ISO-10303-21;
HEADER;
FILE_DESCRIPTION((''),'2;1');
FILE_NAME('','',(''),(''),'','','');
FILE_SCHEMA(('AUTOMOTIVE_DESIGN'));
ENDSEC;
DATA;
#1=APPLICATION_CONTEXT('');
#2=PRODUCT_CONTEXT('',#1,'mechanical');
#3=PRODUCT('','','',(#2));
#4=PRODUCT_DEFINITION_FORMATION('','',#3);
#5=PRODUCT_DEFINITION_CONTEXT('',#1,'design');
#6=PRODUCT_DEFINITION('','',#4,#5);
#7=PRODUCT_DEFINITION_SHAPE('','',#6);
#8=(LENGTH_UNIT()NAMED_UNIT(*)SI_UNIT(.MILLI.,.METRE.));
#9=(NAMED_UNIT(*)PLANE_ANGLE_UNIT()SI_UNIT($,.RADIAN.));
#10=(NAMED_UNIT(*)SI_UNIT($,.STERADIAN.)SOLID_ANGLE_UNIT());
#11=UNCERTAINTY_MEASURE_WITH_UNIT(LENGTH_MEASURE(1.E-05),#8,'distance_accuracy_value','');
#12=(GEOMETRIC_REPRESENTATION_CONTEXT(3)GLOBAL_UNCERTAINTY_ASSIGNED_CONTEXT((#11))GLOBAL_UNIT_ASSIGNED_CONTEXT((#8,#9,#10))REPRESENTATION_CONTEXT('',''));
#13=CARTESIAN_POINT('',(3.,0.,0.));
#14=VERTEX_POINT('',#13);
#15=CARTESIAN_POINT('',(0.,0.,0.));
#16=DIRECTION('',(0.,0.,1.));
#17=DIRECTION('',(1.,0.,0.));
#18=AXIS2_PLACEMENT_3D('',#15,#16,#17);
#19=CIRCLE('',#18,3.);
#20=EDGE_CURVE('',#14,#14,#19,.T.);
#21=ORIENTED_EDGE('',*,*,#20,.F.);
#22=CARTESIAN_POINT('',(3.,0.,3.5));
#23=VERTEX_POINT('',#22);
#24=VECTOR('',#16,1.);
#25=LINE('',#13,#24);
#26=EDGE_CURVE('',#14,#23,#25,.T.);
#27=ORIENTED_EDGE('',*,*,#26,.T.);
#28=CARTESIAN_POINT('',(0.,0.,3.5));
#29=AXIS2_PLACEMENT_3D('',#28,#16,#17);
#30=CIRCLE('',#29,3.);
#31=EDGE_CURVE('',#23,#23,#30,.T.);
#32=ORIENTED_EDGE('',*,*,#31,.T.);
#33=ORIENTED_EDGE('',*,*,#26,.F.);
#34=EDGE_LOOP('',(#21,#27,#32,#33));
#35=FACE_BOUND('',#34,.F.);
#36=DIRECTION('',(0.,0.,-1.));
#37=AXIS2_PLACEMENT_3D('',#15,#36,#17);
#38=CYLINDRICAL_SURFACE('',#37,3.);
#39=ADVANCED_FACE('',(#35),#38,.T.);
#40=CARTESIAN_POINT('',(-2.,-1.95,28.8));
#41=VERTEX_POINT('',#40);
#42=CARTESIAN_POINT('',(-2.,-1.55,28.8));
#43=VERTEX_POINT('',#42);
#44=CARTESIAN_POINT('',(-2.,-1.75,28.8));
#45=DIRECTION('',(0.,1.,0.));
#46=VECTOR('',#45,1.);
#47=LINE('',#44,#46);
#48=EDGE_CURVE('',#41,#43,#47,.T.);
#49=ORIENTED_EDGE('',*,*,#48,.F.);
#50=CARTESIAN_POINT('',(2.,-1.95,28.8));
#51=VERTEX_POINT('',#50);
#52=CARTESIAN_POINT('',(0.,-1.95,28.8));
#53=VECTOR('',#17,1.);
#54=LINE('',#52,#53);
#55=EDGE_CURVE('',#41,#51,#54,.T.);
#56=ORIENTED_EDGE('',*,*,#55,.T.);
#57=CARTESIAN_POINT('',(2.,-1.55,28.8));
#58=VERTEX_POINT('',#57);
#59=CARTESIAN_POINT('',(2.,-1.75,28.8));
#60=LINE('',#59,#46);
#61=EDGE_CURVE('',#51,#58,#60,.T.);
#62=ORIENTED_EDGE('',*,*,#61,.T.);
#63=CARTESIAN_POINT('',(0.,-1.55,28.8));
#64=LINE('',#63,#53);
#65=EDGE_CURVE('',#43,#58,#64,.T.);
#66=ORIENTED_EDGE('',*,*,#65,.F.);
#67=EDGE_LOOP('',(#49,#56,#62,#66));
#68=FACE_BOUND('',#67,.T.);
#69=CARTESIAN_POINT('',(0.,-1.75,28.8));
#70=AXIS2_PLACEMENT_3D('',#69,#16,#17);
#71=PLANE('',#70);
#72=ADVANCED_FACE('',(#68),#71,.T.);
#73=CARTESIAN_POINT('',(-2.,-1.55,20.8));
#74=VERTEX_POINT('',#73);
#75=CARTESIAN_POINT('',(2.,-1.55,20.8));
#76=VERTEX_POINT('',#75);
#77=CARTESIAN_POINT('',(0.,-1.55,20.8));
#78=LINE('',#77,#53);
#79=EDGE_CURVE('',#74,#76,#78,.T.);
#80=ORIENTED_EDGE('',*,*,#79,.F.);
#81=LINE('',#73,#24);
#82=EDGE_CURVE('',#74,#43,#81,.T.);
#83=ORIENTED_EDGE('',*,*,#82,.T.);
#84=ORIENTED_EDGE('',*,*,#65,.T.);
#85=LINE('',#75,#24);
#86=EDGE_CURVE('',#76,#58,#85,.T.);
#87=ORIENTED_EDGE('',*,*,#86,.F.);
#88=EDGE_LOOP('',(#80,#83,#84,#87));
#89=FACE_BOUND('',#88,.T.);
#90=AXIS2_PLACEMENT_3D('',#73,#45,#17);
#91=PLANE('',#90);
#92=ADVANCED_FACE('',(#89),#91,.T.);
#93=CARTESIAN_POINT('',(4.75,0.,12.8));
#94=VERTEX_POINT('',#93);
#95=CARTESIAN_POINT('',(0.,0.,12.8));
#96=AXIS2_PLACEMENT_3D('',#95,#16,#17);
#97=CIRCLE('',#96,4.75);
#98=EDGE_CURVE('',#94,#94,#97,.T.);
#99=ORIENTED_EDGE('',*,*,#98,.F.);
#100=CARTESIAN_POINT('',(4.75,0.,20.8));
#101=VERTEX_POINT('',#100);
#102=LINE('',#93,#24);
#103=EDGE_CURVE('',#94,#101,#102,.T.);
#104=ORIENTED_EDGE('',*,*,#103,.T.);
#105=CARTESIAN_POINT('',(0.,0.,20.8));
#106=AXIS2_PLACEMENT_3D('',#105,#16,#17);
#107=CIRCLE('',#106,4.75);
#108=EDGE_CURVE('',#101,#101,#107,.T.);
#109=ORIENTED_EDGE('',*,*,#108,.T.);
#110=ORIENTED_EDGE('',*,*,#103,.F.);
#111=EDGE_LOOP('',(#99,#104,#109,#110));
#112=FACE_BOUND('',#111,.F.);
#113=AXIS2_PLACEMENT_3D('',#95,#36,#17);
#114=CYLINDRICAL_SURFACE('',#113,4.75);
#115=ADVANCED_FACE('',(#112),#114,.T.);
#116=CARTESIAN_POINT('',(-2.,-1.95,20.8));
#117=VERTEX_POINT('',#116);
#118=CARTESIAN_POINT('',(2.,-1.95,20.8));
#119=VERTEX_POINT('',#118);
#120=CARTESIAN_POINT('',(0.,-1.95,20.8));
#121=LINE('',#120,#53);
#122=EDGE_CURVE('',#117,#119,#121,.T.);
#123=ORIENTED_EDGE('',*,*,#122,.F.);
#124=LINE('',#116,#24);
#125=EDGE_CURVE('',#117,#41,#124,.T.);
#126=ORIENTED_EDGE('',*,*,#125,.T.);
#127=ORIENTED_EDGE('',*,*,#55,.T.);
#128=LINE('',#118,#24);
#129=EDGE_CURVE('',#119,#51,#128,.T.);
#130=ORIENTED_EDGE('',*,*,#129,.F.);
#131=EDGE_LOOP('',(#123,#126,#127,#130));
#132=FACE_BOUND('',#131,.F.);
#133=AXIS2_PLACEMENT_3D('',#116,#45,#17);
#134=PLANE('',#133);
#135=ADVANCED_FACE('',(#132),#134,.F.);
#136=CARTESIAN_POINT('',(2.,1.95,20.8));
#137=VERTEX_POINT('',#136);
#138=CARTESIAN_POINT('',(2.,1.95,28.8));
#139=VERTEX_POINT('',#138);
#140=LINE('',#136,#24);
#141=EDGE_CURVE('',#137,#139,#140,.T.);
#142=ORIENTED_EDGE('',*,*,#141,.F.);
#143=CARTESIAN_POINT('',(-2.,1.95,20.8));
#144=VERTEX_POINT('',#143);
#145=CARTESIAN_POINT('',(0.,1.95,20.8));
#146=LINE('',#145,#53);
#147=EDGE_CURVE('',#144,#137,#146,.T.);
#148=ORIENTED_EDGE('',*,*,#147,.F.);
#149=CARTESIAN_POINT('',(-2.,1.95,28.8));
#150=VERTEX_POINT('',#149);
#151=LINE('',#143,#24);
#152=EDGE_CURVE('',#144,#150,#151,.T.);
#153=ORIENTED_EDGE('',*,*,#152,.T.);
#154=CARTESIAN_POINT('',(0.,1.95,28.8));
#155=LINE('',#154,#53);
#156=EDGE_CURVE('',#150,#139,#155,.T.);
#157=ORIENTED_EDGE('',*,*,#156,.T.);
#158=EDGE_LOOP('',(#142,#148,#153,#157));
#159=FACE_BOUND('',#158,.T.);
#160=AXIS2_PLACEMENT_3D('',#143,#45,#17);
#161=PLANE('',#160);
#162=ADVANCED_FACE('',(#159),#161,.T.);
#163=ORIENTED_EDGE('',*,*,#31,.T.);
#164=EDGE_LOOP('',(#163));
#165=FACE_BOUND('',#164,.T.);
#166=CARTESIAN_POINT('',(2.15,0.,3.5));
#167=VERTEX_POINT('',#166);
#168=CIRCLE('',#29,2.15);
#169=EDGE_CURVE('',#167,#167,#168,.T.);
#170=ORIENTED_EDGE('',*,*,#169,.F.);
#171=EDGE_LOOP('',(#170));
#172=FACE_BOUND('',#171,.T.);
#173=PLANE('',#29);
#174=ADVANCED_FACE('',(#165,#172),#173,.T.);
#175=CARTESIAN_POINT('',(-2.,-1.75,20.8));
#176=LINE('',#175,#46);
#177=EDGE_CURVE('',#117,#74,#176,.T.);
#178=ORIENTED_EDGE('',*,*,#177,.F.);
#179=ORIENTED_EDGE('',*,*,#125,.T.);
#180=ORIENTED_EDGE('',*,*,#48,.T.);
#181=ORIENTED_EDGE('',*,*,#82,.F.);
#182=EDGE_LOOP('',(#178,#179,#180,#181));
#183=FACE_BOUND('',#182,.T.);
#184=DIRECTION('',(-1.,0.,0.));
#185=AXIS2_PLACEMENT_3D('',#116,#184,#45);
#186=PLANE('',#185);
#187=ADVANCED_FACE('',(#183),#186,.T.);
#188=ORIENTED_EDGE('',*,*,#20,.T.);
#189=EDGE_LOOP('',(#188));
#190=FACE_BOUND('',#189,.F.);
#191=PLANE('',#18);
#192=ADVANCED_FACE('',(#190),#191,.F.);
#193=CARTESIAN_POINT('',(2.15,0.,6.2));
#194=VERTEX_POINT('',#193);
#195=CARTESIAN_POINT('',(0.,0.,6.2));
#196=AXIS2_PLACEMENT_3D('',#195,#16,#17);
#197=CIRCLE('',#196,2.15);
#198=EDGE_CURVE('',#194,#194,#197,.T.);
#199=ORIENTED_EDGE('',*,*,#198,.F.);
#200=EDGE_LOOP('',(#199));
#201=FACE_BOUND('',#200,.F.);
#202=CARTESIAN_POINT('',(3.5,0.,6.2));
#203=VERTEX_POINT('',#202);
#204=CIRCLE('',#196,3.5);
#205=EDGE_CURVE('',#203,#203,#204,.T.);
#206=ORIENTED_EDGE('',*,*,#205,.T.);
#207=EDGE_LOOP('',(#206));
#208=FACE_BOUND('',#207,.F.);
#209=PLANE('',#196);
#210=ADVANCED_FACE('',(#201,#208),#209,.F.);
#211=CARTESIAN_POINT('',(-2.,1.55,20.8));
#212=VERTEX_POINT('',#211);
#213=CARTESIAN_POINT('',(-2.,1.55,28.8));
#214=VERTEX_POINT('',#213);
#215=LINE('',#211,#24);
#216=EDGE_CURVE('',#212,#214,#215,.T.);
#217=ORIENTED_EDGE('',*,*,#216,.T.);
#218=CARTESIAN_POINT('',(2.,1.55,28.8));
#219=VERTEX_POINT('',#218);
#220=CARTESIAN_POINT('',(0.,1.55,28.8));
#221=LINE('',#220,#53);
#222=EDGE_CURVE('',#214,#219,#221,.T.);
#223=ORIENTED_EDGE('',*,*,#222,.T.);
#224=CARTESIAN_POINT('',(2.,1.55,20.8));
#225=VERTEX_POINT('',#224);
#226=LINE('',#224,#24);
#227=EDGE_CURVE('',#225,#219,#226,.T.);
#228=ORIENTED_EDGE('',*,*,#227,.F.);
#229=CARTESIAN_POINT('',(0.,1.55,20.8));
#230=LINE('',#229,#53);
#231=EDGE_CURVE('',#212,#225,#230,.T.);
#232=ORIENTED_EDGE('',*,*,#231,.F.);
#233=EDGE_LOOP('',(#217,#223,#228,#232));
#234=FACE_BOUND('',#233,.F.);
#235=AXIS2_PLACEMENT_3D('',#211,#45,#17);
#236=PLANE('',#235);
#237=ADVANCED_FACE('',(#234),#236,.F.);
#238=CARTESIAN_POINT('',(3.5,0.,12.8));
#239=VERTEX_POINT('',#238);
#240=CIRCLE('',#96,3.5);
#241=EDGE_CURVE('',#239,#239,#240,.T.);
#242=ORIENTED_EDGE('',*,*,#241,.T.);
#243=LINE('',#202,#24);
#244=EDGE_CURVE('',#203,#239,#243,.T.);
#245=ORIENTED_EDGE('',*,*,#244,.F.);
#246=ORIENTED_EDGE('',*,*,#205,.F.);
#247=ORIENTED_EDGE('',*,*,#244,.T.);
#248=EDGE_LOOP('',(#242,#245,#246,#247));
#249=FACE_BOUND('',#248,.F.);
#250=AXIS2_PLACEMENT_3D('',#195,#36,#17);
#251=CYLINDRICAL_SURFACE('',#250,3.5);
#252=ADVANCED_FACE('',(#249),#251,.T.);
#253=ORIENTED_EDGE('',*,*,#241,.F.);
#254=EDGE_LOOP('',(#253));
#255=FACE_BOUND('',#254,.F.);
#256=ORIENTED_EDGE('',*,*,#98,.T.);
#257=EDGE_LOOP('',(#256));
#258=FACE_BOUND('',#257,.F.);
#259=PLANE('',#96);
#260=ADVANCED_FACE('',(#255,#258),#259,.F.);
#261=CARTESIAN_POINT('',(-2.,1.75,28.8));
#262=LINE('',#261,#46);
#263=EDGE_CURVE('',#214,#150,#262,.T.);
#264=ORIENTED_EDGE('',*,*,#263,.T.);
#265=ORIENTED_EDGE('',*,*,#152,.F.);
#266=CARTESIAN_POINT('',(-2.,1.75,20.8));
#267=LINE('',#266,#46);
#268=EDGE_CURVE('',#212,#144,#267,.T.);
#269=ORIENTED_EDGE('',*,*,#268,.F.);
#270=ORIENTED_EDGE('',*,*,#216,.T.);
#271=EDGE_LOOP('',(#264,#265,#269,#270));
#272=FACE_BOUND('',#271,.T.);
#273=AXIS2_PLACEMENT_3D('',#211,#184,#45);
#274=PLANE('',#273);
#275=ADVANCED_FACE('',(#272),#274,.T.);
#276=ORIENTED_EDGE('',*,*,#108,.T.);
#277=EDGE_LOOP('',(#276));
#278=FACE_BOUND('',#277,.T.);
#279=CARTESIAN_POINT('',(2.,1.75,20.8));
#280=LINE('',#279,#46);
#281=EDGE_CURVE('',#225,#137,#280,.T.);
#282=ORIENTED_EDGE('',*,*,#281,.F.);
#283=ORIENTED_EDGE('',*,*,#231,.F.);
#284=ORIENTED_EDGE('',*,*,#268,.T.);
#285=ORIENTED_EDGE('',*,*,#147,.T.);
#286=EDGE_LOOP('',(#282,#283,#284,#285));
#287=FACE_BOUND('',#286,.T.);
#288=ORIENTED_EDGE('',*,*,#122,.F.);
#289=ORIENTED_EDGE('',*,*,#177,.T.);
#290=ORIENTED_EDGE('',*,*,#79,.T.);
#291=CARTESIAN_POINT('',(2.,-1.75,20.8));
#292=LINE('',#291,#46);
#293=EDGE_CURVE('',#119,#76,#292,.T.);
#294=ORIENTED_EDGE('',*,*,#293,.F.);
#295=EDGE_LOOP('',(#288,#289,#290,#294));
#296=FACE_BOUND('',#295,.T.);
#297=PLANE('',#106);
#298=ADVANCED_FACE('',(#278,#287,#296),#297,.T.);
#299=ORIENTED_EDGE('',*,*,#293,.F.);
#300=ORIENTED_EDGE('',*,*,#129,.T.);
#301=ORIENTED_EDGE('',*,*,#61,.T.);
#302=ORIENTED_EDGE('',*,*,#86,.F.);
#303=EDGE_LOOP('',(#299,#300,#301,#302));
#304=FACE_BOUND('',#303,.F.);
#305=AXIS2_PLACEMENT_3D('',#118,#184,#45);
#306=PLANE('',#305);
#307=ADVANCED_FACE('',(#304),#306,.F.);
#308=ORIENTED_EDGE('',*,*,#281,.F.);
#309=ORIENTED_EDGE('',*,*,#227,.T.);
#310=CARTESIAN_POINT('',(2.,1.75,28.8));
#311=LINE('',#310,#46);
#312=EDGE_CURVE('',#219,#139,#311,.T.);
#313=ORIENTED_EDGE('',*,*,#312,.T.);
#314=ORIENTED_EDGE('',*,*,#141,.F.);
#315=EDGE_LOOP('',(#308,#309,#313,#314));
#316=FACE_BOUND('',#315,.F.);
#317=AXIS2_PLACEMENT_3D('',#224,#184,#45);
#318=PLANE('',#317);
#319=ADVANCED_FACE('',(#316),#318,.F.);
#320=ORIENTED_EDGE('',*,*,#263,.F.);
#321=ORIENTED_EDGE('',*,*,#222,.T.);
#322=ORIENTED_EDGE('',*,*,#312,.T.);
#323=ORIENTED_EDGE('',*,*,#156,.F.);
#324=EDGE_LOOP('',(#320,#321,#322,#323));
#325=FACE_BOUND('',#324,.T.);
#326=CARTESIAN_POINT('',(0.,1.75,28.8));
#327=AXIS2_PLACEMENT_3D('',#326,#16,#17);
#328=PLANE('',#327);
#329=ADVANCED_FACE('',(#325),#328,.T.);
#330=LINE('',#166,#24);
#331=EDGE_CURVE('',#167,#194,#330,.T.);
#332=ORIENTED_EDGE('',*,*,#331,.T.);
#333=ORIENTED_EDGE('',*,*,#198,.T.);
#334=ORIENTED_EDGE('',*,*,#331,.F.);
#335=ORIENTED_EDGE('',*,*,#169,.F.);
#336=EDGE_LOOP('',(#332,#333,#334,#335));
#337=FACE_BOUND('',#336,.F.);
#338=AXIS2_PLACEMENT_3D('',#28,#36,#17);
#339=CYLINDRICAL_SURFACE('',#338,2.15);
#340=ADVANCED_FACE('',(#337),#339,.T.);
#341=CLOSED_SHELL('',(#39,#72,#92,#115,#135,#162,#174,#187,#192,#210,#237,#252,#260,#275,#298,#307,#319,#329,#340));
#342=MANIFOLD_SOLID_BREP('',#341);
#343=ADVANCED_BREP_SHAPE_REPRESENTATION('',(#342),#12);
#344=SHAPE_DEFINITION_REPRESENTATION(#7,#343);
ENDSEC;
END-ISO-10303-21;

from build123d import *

# Parameters (mm, degrees)
F0_R     = 3
F1_DEPTH = 3.5
F2_R     = 2.15
F3_DEPTH = 2.7
F4_R     = 3.5
F5_DEPTH = 6.6
F6_R     = 4.75
F7_DEPTH = 8
F8_W     = 4
F8_H     = 0.4
F9_DEPTH = 8


with BuildPart() as f1:
    # F0 (on Top) → F1 (new body)
    with BuildSketch(Plane.XY):
        Circle(F0_R)
    extrude(amount=F1_DEPTH)

    # F2 (on face) → F3 (join)
    with BuildSketch(Plane.XY.offset(3.5)):
        Circle(F2_R)
    extrude(amount=F3_DEPTH)

    # F4 (on face) → F5 (join)
    with BuildSketch(Plane.XY.offset(6.2)):
        Circle(F4_R)
    extrude(amount=F5_DEPTH)

    # F6 (on face) → F7 (join)
    with BuildSketch(Plane.XY.offset(12.8)):
        Circle(F6_R)
    extrude(amount=F7_DEPTH)

    # F8 (on face) → F9 (join)
    with BuildSketch(Plane.XY.offset(20.8)):
        with Locations((0, -1.75)):
            Rectangle(F8_W, F8_H)
        with Locations((0, 1.75)):
            Rectangle(F8_W, F8_H)
    extrude(amount=F9_DEPTH)


solid = f1.part
